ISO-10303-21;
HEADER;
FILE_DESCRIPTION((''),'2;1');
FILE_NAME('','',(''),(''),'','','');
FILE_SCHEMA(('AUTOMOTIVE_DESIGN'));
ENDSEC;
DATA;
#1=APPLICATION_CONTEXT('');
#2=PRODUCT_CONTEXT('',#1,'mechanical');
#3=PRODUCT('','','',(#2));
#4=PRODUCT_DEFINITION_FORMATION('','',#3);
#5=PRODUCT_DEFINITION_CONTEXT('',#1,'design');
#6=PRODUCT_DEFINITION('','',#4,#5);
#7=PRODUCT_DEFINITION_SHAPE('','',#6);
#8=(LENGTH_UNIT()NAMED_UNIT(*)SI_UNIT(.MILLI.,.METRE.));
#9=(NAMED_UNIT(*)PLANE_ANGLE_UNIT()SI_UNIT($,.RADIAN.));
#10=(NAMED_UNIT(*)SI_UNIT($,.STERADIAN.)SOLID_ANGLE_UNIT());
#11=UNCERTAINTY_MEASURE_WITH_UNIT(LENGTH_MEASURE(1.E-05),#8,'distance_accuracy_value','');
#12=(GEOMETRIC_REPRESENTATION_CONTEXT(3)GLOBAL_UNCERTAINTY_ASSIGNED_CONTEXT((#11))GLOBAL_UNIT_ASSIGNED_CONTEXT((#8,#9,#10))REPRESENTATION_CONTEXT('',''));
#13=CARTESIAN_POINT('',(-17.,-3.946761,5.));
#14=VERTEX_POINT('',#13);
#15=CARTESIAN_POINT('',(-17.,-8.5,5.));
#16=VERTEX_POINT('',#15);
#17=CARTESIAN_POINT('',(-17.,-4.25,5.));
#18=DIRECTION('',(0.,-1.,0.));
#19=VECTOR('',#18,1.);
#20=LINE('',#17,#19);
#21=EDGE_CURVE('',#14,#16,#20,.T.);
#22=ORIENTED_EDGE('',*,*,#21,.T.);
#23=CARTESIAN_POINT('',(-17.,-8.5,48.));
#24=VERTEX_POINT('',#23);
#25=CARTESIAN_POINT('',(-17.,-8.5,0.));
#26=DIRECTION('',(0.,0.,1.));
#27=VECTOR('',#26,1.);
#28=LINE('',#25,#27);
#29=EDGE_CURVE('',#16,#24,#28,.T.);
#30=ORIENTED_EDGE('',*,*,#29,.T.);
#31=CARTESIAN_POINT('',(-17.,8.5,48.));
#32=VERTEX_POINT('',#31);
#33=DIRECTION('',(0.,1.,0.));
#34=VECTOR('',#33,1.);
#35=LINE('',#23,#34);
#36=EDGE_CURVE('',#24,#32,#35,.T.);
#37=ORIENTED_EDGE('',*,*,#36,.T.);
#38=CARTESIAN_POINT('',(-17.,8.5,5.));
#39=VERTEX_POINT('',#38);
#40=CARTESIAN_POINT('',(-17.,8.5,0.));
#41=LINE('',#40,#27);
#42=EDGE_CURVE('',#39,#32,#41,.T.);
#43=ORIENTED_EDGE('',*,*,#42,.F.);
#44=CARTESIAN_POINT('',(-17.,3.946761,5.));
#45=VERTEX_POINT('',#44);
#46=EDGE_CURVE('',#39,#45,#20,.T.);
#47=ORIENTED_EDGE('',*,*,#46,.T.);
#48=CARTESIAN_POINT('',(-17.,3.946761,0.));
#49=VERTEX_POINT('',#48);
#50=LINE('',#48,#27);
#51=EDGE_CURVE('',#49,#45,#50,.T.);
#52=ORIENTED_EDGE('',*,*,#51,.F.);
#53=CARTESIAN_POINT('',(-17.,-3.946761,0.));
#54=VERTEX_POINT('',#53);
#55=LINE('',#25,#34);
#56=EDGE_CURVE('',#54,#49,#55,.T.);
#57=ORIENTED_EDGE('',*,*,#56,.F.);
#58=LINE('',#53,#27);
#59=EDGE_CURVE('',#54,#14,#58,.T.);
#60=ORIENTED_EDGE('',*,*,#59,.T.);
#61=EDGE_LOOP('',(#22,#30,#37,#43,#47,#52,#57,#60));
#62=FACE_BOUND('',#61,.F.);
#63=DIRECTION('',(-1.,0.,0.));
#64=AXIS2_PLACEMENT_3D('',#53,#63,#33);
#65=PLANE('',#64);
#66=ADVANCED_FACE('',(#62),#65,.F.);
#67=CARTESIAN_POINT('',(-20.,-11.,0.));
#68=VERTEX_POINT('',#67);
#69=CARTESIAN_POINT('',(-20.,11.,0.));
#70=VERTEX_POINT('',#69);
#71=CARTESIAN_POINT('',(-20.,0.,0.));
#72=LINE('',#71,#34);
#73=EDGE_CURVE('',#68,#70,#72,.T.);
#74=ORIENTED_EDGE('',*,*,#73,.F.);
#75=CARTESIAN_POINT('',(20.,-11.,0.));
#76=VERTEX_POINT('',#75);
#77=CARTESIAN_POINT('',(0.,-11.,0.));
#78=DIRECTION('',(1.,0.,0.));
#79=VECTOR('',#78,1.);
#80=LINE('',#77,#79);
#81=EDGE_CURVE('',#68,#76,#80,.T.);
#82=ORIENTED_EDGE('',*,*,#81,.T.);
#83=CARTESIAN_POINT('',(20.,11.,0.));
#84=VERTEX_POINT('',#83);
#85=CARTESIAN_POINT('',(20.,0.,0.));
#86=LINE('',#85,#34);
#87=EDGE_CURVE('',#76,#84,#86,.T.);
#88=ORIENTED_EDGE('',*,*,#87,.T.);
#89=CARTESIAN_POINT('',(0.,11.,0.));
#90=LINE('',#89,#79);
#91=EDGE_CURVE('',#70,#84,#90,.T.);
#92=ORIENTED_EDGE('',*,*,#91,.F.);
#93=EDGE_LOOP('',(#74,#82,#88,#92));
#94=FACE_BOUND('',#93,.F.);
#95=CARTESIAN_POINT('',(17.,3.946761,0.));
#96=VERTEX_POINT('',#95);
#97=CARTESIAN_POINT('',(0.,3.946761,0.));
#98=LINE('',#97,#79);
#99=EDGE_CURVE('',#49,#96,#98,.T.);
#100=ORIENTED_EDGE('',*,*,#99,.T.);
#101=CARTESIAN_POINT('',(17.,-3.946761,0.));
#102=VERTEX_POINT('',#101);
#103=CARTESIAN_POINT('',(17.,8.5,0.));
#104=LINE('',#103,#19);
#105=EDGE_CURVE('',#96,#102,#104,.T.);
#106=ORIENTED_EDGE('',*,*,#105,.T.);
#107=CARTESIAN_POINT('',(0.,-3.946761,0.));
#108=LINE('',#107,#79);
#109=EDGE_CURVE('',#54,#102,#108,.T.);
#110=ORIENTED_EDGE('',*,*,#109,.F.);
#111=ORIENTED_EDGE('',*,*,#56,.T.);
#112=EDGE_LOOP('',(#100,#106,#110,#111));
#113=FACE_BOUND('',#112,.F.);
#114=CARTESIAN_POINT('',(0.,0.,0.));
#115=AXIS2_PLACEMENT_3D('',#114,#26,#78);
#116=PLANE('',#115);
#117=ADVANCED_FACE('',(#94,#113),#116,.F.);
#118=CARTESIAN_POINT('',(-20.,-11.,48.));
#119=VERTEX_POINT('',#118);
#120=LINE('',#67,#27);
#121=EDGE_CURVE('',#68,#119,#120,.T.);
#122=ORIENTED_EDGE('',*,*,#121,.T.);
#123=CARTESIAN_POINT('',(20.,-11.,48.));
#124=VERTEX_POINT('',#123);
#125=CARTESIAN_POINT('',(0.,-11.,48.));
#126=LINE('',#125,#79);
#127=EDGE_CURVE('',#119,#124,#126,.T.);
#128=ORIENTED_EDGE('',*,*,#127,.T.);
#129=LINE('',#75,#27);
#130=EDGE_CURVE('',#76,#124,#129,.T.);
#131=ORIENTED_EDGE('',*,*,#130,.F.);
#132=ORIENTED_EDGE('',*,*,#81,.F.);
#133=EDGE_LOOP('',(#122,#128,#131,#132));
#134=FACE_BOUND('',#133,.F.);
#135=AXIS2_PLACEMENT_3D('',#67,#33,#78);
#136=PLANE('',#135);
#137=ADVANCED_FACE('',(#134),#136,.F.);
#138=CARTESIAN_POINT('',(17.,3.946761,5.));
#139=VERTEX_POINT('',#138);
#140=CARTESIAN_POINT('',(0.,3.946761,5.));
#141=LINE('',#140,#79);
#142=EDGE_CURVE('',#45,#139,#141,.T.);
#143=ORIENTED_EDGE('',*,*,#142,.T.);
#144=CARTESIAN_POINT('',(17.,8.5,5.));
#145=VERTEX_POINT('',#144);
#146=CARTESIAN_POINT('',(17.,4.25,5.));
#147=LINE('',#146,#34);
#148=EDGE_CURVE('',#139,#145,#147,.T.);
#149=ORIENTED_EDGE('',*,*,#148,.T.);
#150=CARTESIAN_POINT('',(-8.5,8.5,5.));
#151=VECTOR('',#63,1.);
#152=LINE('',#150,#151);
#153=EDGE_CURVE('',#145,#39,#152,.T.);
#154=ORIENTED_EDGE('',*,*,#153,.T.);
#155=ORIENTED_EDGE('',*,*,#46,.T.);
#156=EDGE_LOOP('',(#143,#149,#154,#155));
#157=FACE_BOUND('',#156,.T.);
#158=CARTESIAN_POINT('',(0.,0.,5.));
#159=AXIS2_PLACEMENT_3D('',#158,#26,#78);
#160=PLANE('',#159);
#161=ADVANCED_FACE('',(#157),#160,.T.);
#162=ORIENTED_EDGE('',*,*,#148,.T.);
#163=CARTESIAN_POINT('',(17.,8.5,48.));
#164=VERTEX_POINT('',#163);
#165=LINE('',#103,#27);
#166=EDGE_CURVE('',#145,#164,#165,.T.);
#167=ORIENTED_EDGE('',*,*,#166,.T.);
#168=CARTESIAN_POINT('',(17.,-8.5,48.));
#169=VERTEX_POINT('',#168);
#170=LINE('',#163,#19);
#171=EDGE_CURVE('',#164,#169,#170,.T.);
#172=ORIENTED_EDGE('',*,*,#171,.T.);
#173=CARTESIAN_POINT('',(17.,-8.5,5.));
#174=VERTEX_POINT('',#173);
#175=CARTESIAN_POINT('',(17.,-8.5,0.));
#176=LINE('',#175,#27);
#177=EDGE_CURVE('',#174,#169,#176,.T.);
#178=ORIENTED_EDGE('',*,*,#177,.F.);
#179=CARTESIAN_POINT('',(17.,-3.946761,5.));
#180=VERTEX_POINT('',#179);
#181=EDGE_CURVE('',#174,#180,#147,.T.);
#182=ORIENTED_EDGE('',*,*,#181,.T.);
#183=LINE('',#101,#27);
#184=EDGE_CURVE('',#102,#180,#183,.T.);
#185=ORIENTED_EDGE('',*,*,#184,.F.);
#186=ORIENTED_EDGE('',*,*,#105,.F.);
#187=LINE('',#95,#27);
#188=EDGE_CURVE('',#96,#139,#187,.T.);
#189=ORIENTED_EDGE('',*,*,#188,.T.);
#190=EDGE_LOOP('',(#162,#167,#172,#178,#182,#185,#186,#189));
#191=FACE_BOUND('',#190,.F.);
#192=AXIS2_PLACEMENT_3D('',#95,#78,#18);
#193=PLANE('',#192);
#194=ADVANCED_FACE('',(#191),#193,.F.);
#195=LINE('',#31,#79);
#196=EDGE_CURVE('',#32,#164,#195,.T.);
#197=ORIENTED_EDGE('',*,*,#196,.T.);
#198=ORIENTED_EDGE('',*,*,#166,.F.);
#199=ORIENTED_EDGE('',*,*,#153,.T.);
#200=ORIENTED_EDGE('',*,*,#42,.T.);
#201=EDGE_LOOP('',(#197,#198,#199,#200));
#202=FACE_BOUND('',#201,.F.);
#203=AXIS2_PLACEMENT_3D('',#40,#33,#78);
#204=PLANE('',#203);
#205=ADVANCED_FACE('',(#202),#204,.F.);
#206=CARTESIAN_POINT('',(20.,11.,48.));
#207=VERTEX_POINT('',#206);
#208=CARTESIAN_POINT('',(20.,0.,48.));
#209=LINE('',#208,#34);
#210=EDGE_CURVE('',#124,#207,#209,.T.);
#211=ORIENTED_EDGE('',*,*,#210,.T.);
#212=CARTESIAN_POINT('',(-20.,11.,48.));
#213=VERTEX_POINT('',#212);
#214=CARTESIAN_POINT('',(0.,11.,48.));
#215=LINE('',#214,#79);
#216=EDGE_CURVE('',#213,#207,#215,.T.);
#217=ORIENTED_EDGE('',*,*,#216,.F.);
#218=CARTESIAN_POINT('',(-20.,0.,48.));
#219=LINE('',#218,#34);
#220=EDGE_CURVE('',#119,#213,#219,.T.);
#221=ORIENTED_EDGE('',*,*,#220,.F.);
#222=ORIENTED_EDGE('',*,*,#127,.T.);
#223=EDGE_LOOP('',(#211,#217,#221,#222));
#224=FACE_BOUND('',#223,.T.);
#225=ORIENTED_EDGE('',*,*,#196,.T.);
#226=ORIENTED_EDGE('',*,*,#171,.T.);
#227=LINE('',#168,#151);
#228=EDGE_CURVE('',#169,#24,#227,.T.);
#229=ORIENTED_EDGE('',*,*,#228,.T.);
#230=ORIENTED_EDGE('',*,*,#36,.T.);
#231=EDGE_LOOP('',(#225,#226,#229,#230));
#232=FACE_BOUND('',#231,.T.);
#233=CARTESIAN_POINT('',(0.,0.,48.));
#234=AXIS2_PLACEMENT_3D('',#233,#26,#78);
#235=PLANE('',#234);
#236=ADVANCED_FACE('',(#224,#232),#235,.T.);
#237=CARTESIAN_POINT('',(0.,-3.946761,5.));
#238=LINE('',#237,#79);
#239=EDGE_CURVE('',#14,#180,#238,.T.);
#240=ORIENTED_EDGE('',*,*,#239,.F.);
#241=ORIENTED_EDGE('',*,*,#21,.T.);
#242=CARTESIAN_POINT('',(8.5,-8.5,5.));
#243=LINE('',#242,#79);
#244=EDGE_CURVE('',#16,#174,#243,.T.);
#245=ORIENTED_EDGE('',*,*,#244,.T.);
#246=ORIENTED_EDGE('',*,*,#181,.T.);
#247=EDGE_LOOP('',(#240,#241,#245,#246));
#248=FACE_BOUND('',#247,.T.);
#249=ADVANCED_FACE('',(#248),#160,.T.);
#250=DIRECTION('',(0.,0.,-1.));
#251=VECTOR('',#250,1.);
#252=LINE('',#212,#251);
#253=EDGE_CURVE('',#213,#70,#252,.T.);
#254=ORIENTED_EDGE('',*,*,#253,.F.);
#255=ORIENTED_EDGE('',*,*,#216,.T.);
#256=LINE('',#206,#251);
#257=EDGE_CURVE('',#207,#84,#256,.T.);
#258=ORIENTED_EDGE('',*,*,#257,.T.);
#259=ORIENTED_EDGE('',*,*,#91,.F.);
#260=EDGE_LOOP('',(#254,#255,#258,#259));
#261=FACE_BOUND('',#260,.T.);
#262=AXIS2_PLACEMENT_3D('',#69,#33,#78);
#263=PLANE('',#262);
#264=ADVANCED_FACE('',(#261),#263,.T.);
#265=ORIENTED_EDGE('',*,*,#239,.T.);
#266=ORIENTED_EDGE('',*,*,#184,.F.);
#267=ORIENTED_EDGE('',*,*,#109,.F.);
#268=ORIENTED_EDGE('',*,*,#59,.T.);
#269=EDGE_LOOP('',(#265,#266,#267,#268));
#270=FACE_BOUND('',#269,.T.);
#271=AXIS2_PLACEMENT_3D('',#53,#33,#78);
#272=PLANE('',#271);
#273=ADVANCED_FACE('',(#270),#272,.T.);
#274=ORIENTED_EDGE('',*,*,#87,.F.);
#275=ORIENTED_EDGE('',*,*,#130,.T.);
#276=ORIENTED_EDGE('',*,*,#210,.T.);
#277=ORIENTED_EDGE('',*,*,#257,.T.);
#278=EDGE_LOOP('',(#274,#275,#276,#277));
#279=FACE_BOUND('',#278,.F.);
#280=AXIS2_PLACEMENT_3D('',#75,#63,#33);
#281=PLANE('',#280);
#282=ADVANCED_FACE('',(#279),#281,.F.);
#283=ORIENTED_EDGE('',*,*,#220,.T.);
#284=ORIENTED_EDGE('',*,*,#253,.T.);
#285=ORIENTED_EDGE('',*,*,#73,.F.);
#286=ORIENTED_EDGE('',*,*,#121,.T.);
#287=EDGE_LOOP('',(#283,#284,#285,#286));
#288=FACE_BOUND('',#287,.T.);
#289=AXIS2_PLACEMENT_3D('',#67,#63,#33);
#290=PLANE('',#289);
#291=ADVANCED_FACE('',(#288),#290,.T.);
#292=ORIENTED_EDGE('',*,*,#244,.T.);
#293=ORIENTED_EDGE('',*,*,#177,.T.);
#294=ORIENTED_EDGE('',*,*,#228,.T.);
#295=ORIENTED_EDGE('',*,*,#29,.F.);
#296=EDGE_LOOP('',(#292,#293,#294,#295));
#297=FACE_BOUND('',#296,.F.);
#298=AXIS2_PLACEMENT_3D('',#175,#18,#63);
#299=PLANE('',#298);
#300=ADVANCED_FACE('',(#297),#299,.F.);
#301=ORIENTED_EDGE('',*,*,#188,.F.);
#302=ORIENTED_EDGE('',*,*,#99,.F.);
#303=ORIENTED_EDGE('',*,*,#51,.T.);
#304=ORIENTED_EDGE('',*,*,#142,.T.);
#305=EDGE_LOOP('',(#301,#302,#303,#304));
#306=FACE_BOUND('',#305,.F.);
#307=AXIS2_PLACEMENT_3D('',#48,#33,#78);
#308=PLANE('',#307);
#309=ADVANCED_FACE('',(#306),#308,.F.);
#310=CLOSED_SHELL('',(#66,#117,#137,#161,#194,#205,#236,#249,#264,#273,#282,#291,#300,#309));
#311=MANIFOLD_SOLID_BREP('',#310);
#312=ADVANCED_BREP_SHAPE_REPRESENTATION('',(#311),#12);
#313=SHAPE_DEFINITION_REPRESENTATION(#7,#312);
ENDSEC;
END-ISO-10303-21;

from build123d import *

# Parameters (mm, degrees)
F0_W     = 40
F0_H     = 22
F0_W_2   = 34
F0_H_2   = 4.5532393306
F1_DEPTH = 5
F2_DEPTH = 48


with BuildPart() as f1:
    # F0 (on Top) → F1 (new body)
    with BuildSketch(Plane.XY):
        Rectangle(F0_W, F0_H)
        Polygon((17, -3.9467606694), (17, -8.5), (-17, -8.5), (-17, -3.9467606694), (-17, 3.9467606694), (-17, 8.5), (17, 8.5), (17, 3.9467606694), align=None, mode=Mode.SUBTRACT)
        with Locations((0, -6.2233803347)):
            Rectangle(F0_W_2, F0_H_2)
        with Locations((0, 6.2233803347)):
            Rectangle(F0_W_2, F0_H_2)
    extrude(amount=F1_DEPTH)

    # F0 (on Top) → F2 (join)
    with BuildSketch(Plane.XY):
        Rectangle(F0_W, F0_H)
        Polygon((17, -3.9467606694), (17, -8.5), (-17, -8.5), (-17, -3.9467606694), (-17, 3.9467606694), (-17, 8.5), (17, 8.5), (17, 3.9467606694), align=None, mode=Mode.SUBTRACT)
    extrude(amount=F2_DEPTH)


solid = f1.part
